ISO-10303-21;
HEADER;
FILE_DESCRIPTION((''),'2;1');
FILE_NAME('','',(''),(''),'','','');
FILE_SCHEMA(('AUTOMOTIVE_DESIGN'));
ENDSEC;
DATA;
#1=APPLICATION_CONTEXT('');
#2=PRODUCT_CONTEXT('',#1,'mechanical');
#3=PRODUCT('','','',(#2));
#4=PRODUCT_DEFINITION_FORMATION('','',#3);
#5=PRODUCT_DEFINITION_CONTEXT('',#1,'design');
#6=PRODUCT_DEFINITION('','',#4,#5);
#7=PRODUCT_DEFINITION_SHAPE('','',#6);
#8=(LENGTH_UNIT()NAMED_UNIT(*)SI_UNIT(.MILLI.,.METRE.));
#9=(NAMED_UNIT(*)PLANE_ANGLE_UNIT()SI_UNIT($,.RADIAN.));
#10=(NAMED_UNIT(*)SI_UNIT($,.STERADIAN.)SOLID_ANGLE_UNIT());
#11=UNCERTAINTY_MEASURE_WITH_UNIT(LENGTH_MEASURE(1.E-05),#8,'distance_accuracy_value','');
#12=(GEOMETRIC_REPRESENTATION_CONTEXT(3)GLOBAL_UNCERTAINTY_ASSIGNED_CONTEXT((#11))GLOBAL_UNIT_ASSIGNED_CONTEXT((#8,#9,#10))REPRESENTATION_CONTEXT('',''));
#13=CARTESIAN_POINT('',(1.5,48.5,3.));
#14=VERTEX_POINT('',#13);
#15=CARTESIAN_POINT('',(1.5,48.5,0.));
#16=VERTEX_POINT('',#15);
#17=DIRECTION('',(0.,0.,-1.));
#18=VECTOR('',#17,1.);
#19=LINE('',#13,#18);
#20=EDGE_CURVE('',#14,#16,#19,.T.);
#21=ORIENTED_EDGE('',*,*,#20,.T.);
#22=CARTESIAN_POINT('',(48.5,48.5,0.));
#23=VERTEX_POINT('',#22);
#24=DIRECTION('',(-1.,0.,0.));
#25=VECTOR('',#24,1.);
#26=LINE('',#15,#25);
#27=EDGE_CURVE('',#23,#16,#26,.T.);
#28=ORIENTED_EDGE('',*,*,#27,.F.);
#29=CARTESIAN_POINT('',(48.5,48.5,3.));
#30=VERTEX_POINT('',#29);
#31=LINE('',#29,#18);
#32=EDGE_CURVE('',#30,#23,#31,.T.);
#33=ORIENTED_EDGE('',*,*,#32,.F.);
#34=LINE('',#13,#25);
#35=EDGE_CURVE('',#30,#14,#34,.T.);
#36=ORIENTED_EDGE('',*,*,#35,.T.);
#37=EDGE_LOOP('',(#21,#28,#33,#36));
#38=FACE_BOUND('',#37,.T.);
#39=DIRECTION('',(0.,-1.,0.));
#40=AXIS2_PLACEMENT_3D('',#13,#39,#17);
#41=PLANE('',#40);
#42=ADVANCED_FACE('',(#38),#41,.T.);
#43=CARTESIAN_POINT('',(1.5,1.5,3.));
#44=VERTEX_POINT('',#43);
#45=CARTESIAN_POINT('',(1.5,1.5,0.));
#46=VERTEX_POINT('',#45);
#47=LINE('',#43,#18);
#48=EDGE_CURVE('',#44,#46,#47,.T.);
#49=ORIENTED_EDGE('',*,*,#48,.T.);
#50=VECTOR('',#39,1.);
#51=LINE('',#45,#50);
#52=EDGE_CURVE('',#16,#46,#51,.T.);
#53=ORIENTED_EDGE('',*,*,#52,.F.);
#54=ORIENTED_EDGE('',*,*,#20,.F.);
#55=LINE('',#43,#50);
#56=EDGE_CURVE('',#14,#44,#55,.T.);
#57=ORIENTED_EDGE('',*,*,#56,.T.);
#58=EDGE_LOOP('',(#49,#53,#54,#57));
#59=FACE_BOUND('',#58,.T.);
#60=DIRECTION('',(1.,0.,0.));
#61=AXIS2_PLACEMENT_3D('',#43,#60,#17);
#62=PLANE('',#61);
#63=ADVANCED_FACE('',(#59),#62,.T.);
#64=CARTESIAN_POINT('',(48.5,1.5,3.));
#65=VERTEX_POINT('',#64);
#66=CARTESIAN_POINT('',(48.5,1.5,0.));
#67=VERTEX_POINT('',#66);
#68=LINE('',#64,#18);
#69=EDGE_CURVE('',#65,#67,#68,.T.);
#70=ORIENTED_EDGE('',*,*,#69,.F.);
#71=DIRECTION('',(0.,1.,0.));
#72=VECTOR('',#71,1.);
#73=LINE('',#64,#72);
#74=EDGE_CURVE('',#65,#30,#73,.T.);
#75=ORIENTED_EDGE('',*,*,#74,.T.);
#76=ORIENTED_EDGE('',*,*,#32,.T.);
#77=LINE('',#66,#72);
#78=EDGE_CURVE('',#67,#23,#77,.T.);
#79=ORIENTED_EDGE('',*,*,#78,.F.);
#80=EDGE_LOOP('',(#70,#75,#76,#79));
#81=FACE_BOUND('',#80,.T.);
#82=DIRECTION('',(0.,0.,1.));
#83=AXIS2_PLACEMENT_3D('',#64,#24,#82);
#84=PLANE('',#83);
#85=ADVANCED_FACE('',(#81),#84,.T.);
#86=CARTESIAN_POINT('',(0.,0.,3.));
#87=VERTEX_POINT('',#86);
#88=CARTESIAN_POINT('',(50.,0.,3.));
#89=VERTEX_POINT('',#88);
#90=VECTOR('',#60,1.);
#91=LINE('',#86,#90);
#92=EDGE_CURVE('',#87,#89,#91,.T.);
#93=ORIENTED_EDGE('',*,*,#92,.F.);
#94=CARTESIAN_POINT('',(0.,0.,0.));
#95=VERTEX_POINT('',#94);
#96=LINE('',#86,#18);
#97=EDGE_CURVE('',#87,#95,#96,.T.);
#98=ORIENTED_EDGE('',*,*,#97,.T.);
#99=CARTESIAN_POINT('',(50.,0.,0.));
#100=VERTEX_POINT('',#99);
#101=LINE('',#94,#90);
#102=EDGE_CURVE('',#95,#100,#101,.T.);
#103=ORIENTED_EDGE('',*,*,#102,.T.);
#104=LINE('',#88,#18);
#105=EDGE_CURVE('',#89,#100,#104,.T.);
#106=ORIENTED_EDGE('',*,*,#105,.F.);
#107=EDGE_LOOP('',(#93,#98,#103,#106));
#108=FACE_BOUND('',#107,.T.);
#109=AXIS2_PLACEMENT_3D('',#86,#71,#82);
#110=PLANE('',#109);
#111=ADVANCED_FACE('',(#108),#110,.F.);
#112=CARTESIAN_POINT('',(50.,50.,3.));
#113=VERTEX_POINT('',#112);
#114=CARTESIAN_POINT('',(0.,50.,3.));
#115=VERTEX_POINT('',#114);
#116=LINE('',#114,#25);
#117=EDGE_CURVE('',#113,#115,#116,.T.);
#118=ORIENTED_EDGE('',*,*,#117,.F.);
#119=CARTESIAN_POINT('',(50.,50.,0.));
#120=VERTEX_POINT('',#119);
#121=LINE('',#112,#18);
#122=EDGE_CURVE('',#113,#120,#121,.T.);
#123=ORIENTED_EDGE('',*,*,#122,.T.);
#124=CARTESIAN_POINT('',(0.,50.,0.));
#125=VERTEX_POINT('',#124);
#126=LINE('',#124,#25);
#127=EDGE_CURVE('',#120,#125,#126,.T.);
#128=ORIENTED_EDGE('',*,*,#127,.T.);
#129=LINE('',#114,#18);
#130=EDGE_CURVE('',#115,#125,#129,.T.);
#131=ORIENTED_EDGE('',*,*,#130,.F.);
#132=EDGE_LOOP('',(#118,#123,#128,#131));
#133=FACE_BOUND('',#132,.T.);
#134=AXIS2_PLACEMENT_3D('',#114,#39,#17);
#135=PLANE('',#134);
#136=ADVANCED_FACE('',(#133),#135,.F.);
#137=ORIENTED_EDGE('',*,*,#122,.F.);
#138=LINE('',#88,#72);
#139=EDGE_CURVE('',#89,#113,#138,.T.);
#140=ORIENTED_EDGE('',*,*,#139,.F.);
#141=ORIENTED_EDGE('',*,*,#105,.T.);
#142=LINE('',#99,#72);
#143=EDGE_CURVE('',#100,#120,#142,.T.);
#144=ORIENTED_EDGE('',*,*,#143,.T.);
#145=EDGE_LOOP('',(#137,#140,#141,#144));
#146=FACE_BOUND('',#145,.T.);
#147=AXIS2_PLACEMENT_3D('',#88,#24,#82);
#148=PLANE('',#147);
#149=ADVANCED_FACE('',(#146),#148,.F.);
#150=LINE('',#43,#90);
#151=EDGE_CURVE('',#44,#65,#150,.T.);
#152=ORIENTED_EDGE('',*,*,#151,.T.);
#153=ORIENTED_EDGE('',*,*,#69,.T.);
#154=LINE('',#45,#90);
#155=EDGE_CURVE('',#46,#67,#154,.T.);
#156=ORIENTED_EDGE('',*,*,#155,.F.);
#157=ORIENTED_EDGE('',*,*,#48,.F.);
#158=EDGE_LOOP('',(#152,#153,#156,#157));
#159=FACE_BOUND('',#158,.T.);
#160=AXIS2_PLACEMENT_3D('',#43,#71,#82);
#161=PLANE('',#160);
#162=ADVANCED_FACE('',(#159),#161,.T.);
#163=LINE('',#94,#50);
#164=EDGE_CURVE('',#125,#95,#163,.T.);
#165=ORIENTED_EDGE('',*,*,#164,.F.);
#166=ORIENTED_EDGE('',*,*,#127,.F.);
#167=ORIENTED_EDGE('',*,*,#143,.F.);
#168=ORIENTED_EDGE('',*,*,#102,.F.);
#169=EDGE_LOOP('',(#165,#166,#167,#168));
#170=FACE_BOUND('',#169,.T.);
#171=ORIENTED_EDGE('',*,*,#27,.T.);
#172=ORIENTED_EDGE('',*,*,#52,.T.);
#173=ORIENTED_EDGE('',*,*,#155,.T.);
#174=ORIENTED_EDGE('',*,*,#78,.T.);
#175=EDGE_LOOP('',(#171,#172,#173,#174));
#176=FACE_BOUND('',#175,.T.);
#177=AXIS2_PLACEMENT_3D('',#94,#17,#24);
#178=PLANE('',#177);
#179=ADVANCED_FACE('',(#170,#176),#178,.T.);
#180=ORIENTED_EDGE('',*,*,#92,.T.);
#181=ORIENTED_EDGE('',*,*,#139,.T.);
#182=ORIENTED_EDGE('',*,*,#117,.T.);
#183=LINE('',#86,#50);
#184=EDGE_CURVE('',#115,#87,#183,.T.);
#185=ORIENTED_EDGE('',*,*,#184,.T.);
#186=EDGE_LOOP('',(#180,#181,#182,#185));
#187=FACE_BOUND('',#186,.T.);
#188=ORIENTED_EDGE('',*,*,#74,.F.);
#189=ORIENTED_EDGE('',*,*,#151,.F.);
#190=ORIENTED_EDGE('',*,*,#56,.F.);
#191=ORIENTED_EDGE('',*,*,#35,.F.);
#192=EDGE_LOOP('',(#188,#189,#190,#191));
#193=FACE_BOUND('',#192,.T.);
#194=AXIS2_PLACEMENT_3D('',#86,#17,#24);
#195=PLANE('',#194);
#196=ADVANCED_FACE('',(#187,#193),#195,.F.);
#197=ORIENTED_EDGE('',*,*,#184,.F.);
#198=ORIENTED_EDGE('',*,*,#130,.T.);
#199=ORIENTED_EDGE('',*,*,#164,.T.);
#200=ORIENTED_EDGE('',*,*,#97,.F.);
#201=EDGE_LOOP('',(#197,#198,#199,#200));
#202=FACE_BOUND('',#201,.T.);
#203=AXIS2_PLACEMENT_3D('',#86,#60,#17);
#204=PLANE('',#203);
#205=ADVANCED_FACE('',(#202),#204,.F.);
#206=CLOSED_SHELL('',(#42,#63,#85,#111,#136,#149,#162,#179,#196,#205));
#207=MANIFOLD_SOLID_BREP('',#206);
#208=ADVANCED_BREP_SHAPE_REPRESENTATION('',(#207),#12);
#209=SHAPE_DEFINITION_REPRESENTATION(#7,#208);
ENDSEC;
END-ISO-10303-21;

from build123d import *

# Parameters (mm, degrees)
SKETCH1_W           = 50
SKETCH1_H           = 50
SKETCH1_W_2         = 47
SKETCH1_H_2         = 47
BOSS_EXTRUDE1_DEPTH = 3


with BuildPart() as part:
    # Sketch1 → Boss-Extrude1 (new body)
    with BuildSketch(Plane.XY):
        with Locations((25, 25)):
            Rectangle(SKETCH1_W, SKETCH1_H)
        with Locations((25, 25)):
            Rectangle(SKETCH1_W_2, SKETCH1_H_2, mode=Mode.SUBTRACT)
    extrude(amount=BOSS_EXTRUDE1_DEPTH)


solid = part.part
